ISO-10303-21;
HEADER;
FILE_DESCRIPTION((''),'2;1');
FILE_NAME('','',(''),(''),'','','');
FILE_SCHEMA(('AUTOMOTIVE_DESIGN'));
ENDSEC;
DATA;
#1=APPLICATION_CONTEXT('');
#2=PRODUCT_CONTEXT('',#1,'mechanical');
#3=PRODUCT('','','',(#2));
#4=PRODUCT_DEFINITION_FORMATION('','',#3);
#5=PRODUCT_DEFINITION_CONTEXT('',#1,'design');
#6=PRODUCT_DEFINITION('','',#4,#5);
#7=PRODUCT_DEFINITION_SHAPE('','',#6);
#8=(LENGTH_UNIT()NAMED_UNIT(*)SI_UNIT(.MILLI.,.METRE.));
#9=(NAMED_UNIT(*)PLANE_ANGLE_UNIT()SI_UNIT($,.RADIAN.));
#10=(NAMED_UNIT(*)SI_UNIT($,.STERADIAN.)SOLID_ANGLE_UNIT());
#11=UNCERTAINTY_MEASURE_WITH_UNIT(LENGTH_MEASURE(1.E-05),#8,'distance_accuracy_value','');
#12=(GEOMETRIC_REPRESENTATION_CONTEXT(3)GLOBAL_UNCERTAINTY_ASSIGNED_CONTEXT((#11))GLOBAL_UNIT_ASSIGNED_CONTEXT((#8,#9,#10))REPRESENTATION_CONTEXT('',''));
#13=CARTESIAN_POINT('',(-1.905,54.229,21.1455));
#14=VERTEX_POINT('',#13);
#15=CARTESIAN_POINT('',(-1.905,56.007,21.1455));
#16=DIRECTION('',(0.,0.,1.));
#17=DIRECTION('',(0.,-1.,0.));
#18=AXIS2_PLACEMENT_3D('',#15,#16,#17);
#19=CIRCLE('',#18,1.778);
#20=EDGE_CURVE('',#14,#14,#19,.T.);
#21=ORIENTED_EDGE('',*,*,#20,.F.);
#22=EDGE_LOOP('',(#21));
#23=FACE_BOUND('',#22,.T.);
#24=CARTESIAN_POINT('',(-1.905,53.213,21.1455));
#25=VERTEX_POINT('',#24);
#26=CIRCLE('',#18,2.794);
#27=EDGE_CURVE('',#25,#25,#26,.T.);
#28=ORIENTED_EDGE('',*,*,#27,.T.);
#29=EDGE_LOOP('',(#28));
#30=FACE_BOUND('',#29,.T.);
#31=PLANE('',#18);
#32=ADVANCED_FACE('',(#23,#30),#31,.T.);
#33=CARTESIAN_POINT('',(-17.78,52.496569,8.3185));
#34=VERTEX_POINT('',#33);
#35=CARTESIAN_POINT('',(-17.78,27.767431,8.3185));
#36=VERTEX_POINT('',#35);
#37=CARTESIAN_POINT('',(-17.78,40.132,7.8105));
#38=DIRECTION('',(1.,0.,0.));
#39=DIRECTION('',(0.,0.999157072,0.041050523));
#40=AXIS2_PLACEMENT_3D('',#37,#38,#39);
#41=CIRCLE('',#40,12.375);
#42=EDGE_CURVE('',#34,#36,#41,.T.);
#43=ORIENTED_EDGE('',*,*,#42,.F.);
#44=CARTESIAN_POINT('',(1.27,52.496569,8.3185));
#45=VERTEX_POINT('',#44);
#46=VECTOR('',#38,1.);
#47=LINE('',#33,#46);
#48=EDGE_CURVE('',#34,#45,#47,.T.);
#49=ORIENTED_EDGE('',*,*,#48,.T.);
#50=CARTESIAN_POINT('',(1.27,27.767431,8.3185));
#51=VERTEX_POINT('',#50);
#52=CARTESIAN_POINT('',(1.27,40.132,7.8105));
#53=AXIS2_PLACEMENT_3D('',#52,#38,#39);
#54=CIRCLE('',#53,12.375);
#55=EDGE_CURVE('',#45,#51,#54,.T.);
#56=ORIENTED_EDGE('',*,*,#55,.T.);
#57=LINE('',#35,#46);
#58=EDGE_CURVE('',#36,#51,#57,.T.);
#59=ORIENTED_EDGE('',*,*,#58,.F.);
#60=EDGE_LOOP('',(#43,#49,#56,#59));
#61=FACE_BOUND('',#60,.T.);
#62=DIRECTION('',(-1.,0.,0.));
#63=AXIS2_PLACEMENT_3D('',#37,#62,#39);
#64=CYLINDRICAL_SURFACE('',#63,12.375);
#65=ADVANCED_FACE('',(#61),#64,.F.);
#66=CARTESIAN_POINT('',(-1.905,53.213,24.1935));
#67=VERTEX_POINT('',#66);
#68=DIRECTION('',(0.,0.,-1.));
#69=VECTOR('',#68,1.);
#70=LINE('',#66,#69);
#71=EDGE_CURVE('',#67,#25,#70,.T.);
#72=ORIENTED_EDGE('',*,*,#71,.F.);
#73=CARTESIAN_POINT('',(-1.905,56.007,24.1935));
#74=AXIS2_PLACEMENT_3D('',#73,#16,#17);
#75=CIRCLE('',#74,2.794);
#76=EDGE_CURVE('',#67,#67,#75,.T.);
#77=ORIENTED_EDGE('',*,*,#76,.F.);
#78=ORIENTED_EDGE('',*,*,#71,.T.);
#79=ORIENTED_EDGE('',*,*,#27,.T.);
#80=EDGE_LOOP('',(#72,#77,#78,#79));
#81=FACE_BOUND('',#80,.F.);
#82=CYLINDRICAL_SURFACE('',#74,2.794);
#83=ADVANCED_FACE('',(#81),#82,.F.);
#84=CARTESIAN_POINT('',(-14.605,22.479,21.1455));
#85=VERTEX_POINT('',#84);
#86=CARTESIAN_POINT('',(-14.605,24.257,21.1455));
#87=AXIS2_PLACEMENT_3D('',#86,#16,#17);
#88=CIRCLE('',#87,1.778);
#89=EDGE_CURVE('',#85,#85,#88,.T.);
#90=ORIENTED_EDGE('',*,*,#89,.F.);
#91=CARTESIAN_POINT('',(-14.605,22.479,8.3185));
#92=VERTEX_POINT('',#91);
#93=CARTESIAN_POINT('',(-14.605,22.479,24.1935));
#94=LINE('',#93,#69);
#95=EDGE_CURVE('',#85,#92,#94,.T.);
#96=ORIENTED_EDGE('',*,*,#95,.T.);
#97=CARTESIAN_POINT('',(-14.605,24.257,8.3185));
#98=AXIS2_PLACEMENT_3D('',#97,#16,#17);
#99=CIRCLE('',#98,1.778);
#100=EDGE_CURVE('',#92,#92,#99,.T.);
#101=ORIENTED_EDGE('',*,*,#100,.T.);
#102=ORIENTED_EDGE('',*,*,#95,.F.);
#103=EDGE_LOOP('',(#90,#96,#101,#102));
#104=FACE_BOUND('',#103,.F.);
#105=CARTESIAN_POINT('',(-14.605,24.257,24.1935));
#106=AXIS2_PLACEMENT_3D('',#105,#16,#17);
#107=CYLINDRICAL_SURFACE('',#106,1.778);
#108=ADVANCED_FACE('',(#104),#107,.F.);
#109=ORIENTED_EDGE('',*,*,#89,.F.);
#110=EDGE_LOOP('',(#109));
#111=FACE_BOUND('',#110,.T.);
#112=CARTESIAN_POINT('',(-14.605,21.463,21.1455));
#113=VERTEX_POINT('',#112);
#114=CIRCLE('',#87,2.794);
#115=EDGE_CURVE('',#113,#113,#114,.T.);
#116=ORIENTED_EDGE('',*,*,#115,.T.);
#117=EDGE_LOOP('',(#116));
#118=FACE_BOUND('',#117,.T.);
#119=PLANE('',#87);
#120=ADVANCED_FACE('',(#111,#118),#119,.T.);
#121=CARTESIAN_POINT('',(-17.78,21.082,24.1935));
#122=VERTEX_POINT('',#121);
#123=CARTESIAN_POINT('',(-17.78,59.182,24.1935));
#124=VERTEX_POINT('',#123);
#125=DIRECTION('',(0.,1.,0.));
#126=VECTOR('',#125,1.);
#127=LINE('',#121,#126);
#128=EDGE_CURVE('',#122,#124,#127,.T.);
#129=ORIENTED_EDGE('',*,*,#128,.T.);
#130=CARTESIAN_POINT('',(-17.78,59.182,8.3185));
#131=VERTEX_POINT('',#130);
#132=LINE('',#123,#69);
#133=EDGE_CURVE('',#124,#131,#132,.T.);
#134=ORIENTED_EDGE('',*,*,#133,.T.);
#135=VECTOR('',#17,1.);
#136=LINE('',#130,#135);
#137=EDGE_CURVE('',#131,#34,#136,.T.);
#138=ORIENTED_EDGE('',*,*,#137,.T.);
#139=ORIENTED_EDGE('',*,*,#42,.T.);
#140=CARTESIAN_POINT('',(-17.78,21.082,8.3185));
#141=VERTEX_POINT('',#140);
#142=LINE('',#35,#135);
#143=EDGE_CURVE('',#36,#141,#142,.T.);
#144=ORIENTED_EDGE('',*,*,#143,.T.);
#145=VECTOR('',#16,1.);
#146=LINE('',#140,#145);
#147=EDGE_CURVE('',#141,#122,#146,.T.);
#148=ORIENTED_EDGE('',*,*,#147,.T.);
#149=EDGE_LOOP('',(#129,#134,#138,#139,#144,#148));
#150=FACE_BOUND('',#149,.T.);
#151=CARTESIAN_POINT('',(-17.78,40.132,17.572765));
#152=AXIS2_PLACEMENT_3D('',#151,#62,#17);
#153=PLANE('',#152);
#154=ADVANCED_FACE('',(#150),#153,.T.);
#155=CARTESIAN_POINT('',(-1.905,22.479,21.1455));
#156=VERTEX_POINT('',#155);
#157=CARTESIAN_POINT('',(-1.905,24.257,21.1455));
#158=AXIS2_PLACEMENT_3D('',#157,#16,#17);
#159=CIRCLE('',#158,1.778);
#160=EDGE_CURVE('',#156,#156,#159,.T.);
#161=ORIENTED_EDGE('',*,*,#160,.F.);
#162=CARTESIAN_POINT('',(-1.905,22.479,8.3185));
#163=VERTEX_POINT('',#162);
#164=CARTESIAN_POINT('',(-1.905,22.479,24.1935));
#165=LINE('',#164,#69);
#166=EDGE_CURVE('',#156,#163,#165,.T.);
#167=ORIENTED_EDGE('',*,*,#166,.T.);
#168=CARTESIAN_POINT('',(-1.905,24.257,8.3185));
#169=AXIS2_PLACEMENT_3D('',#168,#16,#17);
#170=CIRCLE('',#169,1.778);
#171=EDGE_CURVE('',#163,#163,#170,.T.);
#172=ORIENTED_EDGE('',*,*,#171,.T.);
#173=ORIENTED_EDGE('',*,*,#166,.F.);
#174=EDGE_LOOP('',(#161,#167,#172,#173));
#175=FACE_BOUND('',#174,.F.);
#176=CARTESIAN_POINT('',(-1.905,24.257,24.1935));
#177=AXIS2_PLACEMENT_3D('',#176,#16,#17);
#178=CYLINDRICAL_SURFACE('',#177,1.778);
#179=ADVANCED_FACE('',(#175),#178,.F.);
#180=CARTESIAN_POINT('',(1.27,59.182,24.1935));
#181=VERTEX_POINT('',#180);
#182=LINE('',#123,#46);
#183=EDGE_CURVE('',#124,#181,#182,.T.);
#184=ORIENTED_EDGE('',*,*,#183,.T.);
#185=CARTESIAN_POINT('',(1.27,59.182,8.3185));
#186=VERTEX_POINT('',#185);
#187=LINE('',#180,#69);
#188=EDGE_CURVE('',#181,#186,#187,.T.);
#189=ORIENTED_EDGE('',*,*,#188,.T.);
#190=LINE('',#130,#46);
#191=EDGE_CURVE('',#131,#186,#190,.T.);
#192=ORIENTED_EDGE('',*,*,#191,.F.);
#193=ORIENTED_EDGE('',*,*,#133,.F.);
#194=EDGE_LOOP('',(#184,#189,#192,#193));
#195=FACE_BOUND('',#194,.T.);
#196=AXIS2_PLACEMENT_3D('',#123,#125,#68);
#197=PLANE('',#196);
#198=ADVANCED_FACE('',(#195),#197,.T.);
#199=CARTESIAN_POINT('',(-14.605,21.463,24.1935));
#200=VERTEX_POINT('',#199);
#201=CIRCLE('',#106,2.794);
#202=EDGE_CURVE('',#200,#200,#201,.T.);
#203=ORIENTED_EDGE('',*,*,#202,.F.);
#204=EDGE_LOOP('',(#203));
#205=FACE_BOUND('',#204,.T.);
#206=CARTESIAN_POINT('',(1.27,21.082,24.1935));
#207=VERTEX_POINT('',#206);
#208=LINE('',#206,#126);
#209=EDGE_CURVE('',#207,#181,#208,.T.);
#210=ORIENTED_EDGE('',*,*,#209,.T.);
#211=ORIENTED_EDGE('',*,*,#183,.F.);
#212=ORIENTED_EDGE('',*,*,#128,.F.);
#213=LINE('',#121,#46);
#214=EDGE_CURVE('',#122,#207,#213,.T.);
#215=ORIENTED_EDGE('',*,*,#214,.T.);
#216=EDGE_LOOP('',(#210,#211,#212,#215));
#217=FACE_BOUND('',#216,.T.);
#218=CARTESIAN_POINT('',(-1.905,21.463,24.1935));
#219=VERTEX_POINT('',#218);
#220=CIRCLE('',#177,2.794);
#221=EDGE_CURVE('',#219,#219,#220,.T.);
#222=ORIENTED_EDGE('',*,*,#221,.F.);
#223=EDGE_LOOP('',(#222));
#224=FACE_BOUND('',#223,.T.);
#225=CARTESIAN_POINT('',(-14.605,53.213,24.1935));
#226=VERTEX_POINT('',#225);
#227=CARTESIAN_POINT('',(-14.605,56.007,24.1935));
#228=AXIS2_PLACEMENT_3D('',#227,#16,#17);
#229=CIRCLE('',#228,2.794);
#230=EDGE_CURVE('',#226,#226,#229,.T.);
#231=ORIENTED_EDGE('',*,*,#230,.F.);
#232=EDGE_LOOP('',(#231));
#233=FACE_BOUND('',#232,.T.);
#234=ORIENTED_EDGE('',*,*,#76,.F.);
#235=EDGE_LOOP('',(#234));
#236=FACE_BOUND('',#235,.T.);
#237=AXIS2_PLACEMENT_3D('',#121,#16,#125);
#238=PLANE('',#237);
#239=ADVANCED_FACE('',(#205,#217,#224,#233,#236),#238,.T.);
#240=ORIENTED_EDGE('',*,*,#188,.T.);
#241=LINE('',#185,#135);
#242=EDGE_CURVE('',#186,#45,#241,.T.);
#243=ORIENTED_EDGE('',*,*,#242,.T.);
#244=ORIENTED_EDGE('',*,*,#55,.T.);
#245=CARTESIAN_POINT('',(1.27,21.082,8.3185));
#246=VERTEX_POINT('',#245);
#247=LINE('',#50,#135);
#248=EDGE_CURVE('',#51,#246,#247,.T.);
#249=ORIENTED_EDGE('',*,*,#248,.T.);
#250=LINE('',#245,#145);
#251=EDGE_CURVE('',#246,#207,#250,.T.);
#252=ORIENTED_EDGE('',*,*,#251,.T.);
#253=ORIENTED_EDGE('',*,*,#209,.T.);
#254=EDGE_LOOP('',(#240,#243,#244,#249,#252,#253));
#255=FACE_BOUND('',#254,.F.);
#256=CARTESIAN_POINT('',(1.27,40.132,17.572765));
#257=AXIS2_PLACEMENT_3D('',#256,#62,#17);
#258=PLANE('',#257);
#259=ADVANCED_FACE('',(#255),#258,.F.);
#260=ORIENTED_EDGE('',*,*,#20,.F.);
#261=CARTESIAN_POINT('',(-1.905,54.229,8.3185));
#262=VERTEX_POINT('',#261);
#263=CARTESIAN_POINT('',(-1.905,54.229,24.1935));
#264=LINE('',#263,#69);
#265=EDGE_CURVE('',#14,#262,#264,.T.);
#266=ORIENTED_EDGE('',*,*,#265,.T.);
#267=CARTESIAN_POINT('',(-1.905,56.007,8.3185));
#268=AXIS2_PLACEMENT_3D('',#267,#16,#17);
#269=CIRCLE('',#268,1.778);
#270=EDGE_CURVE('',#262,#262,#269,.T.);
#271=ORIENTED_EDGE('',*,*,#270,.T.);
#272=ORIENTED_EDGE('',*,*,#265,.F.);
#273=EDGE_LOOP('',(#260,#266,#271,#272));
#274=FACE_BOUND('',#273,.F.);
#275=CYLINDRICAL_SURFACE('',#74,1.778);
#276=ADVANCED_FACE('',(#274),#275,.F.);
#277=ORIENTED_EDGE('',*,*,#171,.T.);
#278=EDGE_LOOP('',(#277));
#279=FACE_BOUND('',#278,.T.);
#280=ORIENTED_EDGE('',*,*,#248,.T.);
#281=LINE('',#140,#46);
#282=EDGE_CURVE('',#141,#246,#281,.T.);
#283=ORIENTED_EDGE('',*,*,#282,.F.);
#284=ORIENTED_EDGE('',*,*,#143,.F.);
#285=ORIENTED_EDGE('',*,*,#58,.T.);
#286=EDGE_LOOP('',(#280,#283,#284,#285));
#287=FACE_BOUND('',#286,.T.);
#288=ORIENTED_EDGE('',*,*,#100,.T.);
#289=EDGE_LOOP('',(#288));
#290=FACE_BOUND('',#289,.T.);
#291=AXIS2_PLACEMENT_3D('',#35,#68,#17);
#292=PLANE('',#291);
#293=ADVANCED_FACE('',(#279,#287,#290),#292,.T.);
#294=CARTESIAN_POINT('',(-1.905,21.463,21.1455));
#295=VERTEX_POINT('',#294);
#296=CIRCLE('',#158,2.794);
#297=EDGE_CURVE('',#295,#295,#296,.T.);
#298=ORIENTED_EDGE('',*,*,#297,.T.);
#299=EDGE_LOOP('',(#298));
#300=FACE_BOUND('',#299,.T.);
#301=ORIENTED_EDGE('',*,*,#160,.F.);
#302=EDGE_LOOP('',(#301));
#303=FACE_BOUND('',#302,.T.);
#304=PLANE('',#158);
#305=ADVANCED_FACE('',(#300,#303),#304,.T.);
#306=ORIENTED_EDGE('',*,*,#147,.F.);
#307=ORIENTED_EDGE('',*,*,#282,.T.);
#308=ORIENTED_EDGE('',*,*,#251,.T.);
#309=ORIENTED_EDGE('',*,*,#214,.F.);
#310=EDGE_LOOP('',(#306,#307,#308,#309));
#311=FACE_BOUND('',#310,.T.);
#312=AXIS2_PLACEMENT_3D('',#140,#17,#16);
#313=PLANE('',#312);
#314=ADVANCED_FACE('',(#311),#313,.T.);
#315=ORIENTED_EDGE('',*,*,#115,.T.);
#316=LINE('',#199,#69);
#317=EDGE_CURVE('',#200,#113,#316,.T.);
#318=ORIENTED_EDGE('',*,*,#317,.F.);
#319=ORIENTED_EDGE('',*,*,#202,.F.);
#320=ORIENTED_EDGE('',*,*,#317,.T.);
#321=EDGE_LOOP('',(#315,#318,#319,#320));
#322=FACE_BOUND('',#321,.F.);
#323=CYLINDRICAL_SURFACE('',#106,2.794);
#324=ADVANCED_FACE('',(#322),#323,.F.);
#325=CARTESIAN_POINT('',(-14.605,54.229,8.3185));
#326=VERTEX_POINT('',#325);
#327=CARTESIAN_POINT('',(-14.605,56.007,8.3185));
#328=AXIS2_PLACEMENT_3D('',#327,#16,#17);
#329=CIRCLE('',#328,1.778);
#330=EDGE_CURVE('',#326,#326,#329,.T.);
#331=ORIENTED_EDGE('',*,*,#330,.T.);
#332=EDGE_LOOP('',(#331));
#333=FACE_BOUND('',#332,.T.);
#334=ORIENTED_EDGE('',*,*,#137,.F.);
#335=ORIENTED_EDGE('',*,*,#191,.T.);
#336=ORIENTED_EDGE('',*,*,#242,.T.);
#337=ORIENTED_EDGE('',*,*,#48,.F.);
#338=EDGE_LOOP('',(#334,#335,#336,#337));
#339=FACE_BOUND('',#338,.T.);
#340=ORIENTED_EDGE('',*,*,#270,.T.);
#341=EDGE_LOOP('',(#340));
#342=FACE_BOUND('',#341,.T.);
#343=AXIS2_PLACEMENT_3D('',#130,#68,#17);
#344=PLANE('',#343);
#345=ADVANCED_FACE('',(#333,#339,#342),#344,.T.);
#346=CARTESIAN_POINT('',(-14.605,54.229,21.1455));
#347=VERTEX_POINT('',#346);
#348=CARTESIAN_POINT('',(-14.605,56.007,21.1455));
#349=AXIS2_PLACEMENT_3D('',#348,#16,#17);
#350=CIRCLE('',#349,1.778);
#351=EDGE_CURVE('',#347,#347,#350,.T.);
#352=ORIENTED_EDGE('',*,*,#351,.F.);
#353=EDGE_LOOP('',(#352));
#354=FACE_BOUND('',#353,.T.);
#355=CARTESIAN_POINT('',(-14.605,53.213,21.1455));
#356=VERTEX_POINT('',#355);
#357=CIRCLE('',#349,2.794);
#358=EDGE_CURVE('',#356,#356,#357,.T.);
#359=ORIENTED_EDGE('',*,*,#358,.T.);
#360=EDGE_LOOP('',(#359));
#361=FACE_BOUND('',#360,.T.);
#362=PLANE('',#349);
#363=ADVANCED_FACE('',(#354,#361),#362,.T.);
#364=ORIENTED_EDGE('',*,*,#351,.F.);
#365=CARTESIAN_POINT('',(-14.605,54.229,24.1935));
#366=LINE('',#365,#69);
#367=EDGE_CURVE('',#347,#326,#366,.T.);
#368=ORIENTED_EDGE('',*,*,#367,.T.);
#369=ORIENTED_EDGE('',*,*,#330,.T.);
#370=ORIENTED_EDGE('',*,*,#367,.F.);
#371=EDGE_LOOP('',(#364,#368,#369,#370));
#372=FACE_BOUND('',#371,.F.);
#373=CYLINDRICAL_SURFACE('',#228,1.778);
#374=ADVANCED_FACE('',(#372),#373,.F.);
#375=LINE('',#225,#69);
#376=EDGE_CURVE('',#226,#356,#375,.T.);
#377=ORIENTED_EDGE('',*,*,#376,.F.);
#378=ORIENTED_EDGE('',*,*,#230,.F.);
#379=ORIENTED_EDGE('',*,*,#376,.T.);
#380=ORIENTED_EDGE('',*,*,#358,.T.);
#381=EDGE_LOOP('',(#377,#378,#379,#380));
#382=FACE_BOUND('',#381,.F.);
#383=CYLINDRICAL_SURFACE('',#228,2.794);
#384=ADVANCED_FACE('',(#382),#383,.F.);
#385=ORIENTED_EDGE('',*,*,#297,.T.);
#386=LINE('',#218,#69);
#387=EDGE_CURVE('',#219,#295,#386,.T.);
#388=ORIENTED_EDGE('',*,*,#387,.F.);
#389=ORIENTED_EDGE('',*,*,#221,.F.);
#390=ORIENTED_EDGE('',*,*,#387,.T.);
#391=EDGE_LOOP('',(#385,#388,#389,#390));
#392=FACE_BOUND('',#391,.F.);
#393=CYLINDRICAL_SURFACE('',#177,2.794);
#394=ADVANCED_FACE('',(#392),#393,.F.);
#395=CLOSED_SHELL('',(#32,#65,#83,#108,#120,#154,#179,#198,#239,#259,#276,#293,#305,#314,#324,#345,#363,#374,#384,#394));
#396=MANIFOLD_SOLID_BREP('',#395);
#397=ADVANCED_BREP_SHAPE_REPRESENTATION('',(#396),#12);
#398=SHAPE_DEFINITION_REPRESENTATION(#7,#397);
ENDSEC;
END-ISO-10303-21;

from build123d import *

# Parameters (mm, degrees)
PAD034_DEPTH    = 19.05
SKETCH070_R     = 1.778
POCKET004_DEPTH = 15.876
SKETCH071_R     = 2.794
POCKET005_DEPTH = 3.048


with BuildPart() as part:
    # Sketch069 → Pad034 (new body)
    with BuildSketch(Plane.YZ):
        with BuildLine():
            Line((-19.05, -7.9375), (-19.05, 7.9375))
            Line((-19.05, 7.9375), (19.05, 7.9375))
            Line((19.05, 7.9375), (19.05, -7.9375))
            Line((19.05, -7.9375), (12.364569, -7.9375))
            ThreePointArc((12.364569, -7.9375), (0, 3.9295), (-12.364569, -7.9375))
            Line((-12.364569, -7.9375), (-19.05, -7.9375))
        make_face()
    extrude(amount=PAD034_DEPTH)

    # Sketch070 (on Face2 of Pad034) → Pocket004 (cut, through all)
    with BuildSketch(Plane(origin=(0, 0, 7.9375), x_dir=(0, -1, 0), z_dir=(0, 0, 1))):
        with Locations((15.875, 15.875)):
            Circle(SKETCH070_R)
        with Locations((15.875, 3.175)):
            Circle(SKETCH070_R)
        with Locations((-15.875, 15.875)):
            Circle(SKETCH070_R)
        with Locations((-15.875, 3.175)):
            Circle(SKETCH070_R)
    extrude(amount=-POCKET004_DEPTH, mode=Mode.SUBTRACT)

    # Sketch071 (on Face2 of Pad034) → Pocket005 (cut)
    with BuildSketch(Plane(origin=(0, 0, 7.9375), x_dir=(0, -1, 0), z_dir=(0, 0, 1))):
        with Locations((15.875, 15.875)):
            Circle(SKETCH071_R)
        with Locations((15.875, 3.175)):
            Circle(SKETCH071_R)
        with Locations((-15.875, 15.875)):
            Circle(SKETCH071_R)
        with Locations((-15.875, 3.175)):
            Circle(SKETCH071_R)
    extrude(amount=-POCKET005_DEPTH, mode=Mode.SUBTRACT)


with BuildPart() as part_1:
    # Body027 placement: moved
    add(part.part.moved(Location((-17.78, 40.132, 16.256))))


solid = part_1.part
